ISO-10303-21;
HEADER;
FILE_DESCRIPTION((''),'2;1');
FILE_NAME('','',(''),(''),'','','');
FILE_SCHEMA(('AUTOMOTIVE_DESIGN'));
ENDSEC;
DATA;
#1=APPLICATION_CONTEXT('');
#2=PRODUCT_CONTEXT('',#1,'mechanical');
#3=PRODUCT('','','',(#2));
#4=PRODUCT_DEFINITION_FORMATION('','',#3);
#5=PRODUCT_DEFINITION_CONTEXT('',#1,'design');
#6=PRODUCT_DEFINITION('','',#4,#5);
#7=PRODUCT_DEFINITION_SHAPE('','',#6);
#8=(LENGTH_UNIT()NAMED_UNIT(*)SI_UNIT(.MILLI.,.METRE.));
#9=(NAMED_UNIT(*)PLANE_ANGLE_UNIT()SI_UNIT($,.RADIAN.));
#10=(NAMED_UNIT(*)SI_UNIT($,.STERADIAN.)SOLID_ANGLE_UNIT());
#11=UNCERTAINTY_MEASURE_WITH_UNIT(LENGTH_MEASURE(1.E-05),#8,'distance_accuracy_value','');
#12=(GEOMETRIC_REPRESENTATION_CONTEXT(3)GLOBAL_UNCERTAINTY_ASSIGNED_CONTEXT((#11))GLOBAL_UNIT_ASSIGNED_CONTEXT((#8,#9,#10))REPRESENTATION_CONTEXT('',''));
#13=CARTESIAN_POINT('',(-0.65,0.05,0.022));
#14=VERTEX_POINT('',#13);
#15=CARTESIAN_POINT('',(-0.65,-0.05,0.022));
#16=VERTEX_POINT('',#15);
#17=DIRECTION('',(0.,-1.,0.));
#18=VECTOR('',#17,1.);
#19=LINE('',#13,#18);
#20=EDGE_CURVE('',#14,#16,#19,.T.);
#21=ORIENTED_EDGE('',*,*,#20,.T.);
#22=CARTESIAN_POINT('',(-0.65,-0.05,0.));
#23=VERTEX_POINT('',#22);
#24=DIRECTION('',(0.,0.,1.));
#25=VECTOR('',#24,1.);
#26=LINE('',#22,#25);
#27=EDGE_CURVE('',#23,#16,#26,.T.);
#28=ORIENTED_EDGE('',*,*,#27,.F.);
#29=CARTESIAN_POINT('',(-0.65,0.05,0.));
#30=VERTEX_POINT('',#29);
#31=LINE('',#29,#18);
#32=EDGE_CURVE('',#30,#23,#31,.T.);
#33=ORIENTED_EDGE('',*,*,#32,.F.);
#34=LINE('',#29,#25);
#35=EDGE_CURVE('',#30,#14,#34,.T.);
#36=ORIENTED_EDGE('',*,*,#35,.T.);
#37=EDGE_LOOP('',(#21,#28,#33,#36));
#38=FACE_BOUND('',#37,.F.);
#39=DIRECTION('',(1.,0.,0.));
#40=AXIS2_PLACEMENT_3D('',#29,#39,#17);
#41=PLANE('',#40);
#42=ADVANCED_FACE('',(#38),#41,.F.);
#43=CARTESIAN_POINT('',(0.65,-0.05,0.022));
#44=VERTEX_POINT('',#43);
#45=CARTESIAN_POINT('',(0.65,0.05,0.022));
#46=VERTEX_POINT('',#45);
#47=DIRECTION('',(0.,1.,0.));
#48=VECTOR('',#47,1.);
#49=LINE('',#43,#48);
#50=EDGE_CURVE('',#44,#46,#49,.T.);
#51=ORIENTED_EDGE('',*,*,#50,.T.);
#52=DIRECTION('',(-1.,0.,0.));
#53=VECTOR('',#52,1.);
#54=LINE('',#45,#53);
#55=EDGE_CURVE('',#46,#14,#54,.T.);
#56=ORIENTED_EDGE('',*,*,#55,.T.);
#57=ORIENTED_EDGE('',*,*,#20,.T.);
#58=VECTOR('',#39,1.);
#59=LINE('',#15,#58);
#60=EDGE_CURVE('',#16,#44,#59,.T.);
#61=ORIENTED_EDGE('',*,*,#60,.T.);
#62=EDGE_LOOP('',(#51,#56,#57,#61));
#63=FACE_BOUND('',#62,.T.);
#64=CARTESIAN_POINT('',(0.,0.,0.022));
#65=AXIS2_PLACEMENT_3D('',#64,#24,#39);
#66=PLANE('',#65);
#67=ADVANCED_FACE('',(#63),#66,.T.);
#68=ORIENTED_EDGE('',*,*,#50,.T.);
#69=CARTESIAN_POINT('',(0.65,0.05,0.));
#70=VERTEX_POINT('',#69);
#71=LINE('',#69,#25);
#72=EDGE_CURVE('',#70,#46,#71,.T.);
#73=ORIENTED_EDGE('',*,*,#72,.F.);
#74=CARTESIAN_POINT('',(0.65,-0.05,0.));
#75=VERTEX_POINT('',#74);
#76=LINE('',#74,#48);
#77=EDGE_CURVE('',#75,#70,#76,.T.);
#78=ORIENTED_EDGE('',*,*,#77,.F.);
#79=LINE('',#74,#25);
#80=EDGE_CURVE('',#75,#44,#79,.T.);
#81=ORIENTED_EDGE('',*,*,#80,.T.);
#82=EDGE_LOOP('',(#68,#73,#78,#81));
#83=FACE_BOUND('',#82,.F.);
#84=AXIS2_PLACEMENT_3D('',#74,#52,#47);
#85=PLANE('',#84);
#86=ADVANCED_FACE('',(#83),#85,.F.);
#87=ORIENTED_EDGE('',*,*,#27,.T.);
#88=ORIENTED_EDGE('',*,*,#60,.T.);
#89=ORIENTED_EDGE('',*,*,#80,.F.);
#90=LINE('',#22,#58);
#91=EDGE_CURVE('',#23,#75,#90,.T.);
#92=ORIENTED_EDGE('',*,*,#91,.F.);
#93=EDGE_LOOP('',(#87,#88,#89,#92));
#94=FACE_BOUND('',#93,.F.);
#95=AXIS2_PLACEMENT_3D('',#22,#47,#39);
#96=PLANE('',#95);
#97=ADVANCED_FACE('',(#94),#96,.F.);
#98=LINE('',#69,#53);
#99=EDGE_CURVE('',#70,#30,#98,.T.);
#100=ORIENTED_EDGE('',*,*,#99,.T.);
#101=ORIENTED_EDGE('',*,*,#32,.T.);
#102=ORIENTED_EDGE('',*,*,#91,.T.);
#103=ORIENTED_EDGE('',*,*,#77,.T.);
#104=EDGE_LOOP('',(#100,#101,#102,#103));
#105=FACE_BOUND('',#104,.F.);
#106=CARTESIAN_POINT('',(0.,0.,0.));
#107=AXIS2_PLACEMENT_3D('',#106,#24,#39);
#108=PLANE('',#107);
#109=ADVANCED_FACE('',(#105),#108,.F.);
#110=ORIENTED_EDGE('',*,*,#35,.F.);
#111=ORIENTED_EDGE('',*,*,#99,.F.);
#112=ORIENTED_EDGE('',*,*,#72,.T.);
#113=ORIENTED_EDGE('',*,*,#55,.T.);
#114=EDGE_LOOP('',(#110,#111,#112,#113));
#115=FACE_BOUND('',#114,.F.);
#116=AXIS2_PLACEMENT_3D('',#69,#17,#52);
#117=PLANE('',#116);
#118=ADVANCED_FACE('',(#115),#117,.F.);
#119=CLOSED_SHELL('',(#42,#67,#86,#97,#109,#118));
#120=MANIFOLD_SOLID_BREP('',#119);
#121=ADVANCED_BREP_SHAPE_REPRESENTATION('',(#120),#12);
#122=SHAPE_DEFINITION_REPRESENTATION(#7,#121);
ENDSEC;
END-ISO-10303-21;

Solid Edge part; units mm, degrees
sketch "Sketch1" plane through (0, 0, 0) normal (0, 0, 1) x (1, 0, 0)
  line L0 (-0.65, -0.05) -> (0.65, -0.05)
  line L1 (0.65, -0.05) -> (0.65, 0.05)
  line L2 (0.65, 0.05) -> (-0.65, 0.05)
  line L3 (-0.65, 0.05) -> (-0.65, -0.05)
  dimension "D1" = 1.3
  dimension "D2" = 0.1
extrude "Protrusion1" add sketch "Sketch1" along normal blind 0.022
